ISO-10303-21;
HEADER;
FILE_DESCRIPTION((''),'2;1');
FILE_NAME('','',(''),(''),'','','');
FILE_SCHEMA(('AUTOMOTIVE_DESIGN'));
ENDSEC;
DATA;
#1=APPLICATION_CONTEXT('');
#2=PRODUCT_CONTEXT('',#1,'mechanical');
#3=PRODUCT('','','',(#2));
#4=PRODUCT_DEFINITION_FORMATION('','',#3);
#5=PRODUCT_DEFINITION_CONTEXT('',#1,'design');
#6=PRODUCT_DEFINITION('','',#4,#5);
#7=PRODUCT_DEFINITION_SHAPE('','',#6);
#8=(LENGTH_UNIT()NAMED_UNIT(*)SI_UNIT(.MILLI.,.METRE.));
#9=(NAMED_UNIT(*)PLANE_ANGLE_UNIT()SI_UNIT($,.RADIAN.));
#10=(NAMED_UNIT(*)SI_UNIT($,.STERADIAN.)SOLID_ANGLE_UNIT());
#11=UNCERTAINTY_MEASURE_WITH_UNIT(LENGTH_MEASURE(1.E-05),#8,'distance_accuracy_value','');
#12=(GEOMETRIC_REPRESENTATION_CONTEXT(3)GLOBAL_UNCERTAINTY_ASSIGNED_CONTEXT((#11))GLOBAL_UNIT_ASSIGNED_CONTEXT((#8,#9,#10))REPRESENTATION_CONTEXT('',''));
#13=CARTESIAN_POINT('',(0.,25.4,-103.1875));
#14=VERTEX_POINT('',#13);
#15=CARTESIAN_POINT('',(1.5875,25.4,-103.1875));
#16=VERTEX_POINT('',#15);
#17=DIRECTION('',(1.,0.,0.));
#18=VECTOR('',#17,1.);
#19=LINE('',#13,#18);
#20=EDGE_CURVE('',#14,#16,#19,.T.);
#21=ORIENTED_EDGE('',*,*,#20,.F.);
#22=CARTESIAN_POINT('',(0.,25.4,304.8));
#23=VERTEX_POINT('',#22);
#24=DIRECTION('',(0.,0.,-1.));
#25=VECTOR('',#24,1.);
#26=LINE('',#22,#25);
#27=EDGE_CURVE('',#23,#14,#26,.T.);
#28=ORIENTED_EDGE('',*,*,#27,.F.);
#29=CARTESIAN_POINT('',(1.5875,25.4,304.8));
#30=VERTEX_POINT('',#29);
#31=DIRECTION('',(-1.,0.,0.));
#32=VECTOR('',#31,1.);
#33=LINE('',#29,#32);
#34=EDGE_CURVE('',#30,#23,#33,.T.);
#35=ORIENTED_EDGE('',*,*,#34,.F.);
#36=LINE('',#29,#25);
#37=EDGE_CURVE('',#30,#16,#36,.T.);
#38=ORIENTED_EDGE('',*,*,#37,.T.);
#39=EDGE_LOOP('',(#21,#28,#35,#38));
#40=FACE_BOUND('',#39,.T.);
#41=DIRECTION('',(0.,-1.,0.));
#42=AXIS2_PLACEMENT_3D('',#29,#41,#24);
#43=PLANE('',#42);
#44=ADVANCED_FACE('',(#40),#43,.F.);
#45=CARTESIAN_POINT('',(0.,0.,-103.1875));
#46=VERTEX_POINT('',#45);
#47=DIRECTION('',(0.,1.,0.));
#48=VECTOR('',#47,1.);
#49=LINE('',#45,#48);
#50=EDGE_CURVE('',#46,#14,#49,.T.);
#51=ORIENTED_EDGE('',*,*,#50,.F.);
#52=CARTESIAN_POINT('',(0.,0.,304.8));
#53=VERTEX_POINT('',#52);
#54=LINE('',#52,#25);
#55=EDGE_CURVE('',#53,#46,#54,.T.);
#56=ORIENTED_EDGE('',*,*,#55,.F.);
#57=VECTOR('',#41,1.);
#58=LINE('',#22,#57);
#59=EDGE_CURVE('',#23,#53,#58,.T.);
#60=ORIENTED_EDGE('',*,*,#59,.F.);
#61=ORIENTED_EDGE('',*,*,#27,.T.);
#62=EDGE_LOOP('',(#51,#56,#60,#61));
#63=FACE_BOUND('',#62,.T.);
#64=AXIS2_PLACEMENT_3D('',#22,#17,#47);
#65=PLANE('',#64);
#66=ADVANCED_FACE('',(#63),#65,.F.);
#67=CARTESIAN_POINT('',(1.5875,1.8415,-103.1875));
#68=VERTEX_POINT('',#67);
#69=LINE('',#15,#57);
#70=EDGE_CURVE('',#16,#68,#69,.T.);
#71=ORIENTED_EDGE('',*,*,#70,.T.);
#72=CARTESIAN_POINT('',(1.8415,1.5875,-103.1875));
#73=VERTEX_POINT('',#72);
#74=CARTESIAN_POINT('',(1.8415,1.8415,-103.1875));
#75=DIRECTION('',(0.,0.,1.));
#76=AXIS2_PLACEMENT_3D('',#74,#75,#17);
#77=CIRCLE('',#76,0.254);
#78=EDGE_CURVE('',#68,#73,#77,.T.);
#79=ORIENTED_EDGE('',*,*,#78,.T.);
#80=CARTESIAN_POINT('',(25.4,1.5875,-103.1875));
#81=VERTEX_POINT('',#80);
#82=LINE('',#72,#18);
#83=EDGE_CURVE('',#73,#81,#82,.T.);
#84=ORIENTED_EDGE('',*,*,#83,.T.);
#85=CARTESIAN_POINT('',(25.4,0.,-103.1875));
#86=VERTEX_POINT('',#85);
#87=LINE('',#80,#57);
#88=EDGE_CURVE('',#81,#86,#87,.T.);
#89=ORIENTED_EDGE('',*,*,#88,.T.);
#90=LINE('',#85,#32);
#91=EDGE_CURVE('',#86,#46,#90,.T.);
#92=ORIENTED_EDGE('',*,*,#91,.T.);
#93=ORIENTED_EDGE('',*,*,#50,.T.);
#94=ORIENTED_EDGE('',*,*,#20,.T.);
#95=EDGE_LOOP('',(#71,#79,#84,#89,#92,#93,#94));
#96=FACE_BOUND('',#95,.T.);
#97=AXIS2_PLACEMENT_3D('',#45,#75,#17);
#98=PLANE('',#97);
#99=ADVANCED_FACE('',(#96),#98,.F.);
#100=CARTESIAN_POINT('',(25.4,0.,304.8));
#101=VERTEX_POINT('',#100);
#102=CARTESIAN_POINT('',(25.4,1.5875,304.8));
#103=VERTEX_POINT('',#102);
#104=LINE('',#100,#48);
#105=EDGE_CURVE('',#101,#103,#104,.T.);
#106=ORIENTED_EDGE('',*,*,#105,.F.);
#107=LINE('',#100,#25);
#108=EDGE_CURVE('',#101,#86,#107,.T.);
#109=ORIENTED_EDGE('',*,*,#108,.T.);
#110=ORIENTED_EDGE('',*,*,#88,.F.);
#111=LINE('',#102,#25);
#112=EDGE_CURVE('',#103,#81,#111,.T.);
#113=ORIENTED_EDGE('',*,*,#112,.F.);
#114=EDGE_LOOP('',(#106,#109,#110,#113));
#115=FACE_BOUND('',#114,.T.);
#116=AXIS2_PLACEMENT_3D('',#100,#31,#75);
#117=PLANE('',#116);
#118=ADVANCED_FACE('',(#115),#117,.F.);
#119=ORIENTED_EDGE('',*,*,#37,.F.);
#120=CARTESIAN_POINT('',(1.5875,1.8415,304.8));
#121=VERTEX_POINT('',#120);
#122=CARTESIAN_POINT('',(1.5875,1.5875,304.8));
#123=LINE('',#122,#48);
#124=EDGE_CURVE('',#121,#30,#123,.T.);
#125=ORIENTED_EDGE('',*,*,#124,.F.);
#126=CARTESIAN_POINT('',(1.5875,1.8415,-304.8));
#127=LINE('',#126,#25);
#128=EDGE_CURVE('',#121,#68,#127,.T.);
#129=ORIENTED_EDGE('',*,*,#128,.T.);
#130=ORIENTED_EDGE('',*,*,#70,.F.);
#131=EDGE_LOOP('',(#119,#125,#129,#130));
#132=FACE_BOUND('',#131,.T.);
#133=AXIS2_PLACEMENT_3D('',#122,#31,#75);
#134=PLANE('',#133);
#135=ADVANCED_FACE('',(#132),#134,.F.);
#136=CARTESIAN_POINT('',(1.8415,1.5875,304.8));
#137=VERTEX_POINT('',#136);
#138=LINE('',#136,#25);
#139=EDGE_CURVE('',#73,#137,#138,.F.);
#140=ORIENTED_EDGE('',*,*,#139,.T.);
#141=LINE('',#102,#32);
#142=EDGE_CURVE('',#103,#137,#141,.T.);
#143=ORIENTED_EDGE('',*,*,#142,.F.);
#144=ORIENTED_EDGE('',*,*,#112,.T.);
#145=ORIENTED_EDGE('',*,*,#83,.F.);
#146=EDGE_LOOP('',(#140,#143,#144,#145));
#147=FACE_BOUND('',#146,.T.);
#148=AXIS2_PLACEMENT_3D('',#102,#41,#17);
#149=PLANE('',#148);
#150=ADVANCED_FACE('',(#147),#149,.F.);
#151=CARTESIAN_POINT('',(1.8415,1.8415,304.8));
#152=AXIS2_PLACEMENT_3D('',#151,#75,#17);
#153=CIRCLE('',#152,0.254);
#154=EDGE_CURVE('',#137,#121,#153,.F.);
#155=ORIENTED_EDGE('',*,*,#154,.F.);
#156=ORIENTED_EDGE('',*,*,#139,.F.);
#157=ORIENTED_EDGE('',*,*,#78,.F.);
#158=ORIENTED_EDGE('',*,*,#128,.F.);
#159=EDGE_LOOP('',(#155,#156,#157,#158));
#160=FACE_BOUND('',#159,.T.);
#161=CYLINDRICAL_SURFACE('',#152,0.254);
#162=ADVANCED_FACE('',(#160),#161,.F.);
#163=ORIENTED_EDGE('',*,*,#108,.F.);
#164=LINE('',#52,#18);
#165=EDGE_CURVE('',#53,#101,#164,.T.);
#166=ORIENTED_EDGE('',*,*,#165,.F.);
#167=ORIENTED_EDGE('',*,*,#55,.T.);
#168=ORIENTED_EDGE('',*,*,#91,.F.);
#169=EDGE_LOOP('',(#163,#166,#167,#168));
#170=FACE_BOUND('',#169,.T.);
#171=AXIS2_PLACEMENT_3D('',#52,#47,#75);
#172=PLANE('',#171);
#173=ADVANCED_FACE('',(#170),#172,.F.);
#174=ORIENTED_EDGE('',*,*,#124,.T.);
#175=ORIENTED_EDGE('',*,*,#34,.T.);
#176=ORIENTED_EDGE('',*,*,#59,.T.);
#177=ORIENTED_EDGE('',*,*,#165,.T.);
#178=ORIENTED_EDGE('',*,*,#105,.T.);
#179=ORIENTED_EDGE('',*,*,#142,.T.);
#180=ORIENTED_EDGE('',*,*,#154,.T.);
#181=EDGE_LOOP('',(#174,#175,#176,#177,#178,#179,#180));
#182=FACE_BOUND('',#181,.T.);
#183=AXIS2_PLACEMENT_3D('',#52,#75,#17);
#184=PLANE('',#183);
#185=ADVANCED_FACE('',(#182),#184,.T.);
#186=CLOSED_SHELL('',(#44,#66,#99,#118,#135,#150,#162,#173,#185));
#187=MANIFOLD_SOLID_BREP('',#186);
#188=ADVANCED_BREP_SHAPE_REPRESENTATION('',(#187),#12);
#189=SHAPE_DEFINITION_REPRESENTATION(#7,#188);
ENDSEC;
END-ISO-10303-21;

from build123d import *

# Parameters (mm, degrees)
BOSS_EXTRUDE1_DEPTH = 304.8
FILLET1_R           = 0.254
CUT_EXTRUDE1_DEPTH  = 201.6125


with BuildPart() as part:
    # Sketch3 → Boss-Extrude1 (new, symmetric)
    with BuildSketch(Plane.XY):
        Polygon((1.5875, 25.4), (0, 25.4), (0, 0), (25.4, 0), (25.4, 1.5875), (1.5875, 1.5875), align=None)
    extrude(amount=BOSS_EXTRUDE1_DEPTH, both=True)

    # Fillet1
    fillet1_edges = [part.edges().sort_by_distance(p)[0] for p in [
        (1.5875, 1.5875, 0),
    ]]
    fillet(fillet1_edges, radius=FILLET1_R)

    # Sketch4 → Cut-Extrude1 (cut)
    with BuildSketch(Plane(origin=(0, 0, -304.8), x_dir=(-1, 0, 0), z_dir=(0, 0, -1))):
        with BuildLine():
            Line((-1.5875, 25.4), (-1.5875, 1.8415))
            ThreePointArc((-1.5875, 1.8415), (-1.661894878, 1.661894878), (-1.8415, 1.5875))
            Line((-1.8415, 1.5875), (-25.4, 1.5875))
            Line((-25.4, 1.5875), (-25.4, 0))
            Line((-25.4, 0), (0, 0))
            Line((0, 0), (0, 25.4))
            Line((0, 25.4), (-1.5875, 25.4))
        make_face()
    extrude(amount=-CUT_EXTRUDE1_DEPTH, mode=Mode.SUBTRACT)


solid = part.part
